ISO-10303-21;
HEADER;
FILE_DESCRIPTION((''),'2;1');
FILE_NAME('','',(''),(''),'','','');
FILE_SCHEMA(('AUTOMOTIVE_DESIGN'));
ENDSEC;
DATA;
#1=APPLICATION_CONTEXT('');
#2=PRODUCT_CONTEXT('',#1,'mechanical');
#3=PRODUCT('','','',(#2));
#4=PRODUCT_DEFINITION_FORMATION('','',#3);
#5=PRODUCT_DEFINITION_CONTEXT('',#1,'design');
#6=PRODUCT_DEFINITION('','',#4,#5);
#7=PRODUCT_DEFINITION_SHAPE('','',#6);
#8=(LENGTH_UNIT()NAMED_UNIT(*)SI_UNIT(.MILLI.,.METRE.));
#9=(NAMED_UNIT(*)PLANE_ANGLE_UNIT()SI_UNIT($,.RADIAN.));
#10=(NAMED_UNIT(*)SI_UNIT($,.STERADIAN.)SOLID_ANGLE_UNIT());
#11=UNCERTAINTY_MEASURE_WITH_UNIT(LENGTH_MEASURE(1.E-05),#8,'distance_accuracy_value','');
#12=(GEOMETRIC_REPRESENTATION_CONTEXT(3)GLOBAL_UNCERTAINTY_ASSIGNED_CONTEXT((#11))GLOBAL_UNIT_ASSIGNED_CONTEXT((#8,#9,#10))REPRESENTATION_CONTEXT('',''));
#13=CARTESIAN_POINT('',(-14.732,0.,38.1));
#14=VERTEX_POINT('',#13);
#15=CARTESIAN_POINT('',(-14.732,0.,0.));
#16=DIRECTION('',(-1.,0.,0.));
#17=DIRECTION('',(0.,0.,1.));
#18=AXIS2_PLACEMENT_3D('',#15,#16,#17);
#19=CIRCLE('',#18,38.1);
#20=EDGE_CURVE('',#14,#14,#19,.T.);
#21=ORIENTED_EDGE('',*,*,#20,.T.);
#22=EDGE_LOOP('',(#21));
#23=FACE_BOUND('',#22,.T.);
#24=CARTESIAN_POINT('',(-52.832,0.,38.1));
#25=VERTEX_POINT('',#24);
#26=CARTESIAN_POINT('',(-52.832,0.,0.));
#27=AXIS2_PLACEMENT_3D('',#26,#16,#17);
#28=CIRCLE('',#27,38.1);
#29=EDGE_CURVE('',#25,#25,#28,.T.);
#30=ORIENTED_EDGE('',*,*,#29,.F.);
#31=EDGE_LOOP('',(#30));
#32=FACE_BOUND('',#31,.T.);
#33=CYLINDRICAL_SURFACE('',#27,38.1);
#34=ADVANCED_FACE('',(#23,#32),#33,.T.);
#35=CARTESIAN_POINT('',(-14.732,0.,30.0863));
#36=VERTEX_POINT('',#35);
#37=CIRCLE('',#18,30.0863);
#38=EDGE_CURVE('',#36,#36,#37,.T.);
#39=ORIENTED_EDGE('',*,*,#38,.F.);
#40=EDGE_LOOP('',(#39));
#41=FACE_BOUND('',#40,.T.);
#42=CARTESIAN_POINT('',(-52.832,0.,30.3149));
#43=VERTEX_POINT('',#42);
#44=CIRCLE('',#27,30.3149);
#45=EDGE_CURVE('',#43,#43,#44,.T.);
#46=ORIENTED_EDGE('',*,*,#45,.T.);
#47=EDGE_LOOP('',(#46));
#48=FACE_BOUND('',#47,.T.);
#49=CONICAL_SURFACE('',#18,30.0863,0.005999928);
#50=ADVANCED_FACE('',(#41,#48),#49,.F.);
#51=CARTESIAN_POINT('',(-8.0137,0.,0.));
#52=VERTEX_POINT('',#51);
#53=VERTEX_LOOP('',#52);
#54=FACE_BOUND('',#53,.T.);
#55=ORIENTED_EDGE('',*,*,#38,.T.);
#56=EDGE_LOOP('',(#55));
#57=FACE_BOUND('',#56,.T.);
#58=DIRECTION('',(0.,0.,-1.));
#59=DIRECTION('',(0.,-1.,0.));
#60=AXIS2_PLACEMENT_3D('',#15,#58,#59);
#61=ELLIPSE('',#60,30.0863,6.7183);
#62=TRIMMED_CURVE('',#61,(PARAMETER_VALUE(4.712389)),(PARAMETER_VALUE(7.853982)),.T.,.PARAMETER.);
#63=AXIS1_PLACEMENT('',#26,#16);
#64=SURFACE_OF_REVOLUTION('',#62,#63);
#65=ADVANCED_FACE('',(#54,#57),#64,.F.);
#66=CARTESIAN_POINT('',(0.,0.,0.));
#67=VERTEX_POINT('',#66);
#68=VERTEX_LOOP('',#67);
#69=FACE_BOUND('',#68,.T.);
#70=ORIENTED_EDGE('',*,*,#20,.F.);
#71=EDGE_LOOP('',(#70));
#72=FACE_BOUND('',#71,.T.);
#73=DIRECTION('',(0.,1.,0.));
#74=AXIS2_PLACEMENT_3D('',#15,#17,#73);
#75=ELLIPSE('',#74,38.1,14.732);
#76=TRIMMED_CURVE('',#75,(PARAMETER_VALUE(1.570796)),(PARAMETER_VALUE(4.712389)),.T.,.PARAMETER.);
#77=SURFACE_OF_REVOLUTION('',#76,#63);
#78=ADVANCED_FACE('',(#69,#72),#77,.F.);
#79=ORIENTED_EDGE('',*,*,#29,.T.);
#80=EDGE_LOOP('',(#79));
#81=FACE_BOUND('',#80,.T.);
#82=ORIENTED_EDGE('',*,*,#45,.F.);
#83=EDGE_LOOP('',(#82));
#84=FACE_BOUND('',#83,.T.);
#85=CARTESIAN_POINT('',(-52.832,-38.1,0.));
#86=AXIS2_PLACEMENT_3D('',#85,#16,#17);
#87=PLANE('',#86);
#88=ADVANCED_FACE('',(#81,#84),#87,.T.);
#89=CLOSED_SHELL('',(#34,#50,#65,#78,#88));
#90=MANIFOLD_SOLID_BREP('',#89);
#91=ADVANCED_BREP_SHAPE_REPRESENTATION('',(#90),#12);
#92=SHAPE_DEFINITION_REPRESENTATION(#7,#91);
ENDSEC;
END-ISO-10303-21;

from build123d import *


with BuildPart() as part:
    # Sketch1 → Revolve1 (revolve)
    with BuildSketch(Plane.XY):
        with BuildLine():
            Line((-52.832, -38.1), (-14.732, -38.1))
            add(Edge.make_bspline(
                [(-14.732, -38.1), (0, -38.1), (0, 0)],
                knots=[3.141592654, 3.141592654, 3.141592654, 4.71238898, 4.71238898, 4.71238898], degree=2, weights=[1, 0.707106781, 1]))
            Line((0, 0), (-8.0137, 0))
            add(Edge.make_bspline(
                [(-14.732, -30.0863), (-8.0137, -30.0863), (-8.0137, 0)],
                knots=[0, 0, 0, 1.570796327, 1.570796327, 1.570796327], degree=2, weights=[1, 0.707106781, 1]))
            Line((-14.732, -30.0863), (-52.832, -30.3149))
            Line((-52.832, -30.3149), (-52.832, -38.1))
        make_face()
    revolve(axis=Axis((-52.832, 0, 0), (1, 0, 0)))


solid = part.part
